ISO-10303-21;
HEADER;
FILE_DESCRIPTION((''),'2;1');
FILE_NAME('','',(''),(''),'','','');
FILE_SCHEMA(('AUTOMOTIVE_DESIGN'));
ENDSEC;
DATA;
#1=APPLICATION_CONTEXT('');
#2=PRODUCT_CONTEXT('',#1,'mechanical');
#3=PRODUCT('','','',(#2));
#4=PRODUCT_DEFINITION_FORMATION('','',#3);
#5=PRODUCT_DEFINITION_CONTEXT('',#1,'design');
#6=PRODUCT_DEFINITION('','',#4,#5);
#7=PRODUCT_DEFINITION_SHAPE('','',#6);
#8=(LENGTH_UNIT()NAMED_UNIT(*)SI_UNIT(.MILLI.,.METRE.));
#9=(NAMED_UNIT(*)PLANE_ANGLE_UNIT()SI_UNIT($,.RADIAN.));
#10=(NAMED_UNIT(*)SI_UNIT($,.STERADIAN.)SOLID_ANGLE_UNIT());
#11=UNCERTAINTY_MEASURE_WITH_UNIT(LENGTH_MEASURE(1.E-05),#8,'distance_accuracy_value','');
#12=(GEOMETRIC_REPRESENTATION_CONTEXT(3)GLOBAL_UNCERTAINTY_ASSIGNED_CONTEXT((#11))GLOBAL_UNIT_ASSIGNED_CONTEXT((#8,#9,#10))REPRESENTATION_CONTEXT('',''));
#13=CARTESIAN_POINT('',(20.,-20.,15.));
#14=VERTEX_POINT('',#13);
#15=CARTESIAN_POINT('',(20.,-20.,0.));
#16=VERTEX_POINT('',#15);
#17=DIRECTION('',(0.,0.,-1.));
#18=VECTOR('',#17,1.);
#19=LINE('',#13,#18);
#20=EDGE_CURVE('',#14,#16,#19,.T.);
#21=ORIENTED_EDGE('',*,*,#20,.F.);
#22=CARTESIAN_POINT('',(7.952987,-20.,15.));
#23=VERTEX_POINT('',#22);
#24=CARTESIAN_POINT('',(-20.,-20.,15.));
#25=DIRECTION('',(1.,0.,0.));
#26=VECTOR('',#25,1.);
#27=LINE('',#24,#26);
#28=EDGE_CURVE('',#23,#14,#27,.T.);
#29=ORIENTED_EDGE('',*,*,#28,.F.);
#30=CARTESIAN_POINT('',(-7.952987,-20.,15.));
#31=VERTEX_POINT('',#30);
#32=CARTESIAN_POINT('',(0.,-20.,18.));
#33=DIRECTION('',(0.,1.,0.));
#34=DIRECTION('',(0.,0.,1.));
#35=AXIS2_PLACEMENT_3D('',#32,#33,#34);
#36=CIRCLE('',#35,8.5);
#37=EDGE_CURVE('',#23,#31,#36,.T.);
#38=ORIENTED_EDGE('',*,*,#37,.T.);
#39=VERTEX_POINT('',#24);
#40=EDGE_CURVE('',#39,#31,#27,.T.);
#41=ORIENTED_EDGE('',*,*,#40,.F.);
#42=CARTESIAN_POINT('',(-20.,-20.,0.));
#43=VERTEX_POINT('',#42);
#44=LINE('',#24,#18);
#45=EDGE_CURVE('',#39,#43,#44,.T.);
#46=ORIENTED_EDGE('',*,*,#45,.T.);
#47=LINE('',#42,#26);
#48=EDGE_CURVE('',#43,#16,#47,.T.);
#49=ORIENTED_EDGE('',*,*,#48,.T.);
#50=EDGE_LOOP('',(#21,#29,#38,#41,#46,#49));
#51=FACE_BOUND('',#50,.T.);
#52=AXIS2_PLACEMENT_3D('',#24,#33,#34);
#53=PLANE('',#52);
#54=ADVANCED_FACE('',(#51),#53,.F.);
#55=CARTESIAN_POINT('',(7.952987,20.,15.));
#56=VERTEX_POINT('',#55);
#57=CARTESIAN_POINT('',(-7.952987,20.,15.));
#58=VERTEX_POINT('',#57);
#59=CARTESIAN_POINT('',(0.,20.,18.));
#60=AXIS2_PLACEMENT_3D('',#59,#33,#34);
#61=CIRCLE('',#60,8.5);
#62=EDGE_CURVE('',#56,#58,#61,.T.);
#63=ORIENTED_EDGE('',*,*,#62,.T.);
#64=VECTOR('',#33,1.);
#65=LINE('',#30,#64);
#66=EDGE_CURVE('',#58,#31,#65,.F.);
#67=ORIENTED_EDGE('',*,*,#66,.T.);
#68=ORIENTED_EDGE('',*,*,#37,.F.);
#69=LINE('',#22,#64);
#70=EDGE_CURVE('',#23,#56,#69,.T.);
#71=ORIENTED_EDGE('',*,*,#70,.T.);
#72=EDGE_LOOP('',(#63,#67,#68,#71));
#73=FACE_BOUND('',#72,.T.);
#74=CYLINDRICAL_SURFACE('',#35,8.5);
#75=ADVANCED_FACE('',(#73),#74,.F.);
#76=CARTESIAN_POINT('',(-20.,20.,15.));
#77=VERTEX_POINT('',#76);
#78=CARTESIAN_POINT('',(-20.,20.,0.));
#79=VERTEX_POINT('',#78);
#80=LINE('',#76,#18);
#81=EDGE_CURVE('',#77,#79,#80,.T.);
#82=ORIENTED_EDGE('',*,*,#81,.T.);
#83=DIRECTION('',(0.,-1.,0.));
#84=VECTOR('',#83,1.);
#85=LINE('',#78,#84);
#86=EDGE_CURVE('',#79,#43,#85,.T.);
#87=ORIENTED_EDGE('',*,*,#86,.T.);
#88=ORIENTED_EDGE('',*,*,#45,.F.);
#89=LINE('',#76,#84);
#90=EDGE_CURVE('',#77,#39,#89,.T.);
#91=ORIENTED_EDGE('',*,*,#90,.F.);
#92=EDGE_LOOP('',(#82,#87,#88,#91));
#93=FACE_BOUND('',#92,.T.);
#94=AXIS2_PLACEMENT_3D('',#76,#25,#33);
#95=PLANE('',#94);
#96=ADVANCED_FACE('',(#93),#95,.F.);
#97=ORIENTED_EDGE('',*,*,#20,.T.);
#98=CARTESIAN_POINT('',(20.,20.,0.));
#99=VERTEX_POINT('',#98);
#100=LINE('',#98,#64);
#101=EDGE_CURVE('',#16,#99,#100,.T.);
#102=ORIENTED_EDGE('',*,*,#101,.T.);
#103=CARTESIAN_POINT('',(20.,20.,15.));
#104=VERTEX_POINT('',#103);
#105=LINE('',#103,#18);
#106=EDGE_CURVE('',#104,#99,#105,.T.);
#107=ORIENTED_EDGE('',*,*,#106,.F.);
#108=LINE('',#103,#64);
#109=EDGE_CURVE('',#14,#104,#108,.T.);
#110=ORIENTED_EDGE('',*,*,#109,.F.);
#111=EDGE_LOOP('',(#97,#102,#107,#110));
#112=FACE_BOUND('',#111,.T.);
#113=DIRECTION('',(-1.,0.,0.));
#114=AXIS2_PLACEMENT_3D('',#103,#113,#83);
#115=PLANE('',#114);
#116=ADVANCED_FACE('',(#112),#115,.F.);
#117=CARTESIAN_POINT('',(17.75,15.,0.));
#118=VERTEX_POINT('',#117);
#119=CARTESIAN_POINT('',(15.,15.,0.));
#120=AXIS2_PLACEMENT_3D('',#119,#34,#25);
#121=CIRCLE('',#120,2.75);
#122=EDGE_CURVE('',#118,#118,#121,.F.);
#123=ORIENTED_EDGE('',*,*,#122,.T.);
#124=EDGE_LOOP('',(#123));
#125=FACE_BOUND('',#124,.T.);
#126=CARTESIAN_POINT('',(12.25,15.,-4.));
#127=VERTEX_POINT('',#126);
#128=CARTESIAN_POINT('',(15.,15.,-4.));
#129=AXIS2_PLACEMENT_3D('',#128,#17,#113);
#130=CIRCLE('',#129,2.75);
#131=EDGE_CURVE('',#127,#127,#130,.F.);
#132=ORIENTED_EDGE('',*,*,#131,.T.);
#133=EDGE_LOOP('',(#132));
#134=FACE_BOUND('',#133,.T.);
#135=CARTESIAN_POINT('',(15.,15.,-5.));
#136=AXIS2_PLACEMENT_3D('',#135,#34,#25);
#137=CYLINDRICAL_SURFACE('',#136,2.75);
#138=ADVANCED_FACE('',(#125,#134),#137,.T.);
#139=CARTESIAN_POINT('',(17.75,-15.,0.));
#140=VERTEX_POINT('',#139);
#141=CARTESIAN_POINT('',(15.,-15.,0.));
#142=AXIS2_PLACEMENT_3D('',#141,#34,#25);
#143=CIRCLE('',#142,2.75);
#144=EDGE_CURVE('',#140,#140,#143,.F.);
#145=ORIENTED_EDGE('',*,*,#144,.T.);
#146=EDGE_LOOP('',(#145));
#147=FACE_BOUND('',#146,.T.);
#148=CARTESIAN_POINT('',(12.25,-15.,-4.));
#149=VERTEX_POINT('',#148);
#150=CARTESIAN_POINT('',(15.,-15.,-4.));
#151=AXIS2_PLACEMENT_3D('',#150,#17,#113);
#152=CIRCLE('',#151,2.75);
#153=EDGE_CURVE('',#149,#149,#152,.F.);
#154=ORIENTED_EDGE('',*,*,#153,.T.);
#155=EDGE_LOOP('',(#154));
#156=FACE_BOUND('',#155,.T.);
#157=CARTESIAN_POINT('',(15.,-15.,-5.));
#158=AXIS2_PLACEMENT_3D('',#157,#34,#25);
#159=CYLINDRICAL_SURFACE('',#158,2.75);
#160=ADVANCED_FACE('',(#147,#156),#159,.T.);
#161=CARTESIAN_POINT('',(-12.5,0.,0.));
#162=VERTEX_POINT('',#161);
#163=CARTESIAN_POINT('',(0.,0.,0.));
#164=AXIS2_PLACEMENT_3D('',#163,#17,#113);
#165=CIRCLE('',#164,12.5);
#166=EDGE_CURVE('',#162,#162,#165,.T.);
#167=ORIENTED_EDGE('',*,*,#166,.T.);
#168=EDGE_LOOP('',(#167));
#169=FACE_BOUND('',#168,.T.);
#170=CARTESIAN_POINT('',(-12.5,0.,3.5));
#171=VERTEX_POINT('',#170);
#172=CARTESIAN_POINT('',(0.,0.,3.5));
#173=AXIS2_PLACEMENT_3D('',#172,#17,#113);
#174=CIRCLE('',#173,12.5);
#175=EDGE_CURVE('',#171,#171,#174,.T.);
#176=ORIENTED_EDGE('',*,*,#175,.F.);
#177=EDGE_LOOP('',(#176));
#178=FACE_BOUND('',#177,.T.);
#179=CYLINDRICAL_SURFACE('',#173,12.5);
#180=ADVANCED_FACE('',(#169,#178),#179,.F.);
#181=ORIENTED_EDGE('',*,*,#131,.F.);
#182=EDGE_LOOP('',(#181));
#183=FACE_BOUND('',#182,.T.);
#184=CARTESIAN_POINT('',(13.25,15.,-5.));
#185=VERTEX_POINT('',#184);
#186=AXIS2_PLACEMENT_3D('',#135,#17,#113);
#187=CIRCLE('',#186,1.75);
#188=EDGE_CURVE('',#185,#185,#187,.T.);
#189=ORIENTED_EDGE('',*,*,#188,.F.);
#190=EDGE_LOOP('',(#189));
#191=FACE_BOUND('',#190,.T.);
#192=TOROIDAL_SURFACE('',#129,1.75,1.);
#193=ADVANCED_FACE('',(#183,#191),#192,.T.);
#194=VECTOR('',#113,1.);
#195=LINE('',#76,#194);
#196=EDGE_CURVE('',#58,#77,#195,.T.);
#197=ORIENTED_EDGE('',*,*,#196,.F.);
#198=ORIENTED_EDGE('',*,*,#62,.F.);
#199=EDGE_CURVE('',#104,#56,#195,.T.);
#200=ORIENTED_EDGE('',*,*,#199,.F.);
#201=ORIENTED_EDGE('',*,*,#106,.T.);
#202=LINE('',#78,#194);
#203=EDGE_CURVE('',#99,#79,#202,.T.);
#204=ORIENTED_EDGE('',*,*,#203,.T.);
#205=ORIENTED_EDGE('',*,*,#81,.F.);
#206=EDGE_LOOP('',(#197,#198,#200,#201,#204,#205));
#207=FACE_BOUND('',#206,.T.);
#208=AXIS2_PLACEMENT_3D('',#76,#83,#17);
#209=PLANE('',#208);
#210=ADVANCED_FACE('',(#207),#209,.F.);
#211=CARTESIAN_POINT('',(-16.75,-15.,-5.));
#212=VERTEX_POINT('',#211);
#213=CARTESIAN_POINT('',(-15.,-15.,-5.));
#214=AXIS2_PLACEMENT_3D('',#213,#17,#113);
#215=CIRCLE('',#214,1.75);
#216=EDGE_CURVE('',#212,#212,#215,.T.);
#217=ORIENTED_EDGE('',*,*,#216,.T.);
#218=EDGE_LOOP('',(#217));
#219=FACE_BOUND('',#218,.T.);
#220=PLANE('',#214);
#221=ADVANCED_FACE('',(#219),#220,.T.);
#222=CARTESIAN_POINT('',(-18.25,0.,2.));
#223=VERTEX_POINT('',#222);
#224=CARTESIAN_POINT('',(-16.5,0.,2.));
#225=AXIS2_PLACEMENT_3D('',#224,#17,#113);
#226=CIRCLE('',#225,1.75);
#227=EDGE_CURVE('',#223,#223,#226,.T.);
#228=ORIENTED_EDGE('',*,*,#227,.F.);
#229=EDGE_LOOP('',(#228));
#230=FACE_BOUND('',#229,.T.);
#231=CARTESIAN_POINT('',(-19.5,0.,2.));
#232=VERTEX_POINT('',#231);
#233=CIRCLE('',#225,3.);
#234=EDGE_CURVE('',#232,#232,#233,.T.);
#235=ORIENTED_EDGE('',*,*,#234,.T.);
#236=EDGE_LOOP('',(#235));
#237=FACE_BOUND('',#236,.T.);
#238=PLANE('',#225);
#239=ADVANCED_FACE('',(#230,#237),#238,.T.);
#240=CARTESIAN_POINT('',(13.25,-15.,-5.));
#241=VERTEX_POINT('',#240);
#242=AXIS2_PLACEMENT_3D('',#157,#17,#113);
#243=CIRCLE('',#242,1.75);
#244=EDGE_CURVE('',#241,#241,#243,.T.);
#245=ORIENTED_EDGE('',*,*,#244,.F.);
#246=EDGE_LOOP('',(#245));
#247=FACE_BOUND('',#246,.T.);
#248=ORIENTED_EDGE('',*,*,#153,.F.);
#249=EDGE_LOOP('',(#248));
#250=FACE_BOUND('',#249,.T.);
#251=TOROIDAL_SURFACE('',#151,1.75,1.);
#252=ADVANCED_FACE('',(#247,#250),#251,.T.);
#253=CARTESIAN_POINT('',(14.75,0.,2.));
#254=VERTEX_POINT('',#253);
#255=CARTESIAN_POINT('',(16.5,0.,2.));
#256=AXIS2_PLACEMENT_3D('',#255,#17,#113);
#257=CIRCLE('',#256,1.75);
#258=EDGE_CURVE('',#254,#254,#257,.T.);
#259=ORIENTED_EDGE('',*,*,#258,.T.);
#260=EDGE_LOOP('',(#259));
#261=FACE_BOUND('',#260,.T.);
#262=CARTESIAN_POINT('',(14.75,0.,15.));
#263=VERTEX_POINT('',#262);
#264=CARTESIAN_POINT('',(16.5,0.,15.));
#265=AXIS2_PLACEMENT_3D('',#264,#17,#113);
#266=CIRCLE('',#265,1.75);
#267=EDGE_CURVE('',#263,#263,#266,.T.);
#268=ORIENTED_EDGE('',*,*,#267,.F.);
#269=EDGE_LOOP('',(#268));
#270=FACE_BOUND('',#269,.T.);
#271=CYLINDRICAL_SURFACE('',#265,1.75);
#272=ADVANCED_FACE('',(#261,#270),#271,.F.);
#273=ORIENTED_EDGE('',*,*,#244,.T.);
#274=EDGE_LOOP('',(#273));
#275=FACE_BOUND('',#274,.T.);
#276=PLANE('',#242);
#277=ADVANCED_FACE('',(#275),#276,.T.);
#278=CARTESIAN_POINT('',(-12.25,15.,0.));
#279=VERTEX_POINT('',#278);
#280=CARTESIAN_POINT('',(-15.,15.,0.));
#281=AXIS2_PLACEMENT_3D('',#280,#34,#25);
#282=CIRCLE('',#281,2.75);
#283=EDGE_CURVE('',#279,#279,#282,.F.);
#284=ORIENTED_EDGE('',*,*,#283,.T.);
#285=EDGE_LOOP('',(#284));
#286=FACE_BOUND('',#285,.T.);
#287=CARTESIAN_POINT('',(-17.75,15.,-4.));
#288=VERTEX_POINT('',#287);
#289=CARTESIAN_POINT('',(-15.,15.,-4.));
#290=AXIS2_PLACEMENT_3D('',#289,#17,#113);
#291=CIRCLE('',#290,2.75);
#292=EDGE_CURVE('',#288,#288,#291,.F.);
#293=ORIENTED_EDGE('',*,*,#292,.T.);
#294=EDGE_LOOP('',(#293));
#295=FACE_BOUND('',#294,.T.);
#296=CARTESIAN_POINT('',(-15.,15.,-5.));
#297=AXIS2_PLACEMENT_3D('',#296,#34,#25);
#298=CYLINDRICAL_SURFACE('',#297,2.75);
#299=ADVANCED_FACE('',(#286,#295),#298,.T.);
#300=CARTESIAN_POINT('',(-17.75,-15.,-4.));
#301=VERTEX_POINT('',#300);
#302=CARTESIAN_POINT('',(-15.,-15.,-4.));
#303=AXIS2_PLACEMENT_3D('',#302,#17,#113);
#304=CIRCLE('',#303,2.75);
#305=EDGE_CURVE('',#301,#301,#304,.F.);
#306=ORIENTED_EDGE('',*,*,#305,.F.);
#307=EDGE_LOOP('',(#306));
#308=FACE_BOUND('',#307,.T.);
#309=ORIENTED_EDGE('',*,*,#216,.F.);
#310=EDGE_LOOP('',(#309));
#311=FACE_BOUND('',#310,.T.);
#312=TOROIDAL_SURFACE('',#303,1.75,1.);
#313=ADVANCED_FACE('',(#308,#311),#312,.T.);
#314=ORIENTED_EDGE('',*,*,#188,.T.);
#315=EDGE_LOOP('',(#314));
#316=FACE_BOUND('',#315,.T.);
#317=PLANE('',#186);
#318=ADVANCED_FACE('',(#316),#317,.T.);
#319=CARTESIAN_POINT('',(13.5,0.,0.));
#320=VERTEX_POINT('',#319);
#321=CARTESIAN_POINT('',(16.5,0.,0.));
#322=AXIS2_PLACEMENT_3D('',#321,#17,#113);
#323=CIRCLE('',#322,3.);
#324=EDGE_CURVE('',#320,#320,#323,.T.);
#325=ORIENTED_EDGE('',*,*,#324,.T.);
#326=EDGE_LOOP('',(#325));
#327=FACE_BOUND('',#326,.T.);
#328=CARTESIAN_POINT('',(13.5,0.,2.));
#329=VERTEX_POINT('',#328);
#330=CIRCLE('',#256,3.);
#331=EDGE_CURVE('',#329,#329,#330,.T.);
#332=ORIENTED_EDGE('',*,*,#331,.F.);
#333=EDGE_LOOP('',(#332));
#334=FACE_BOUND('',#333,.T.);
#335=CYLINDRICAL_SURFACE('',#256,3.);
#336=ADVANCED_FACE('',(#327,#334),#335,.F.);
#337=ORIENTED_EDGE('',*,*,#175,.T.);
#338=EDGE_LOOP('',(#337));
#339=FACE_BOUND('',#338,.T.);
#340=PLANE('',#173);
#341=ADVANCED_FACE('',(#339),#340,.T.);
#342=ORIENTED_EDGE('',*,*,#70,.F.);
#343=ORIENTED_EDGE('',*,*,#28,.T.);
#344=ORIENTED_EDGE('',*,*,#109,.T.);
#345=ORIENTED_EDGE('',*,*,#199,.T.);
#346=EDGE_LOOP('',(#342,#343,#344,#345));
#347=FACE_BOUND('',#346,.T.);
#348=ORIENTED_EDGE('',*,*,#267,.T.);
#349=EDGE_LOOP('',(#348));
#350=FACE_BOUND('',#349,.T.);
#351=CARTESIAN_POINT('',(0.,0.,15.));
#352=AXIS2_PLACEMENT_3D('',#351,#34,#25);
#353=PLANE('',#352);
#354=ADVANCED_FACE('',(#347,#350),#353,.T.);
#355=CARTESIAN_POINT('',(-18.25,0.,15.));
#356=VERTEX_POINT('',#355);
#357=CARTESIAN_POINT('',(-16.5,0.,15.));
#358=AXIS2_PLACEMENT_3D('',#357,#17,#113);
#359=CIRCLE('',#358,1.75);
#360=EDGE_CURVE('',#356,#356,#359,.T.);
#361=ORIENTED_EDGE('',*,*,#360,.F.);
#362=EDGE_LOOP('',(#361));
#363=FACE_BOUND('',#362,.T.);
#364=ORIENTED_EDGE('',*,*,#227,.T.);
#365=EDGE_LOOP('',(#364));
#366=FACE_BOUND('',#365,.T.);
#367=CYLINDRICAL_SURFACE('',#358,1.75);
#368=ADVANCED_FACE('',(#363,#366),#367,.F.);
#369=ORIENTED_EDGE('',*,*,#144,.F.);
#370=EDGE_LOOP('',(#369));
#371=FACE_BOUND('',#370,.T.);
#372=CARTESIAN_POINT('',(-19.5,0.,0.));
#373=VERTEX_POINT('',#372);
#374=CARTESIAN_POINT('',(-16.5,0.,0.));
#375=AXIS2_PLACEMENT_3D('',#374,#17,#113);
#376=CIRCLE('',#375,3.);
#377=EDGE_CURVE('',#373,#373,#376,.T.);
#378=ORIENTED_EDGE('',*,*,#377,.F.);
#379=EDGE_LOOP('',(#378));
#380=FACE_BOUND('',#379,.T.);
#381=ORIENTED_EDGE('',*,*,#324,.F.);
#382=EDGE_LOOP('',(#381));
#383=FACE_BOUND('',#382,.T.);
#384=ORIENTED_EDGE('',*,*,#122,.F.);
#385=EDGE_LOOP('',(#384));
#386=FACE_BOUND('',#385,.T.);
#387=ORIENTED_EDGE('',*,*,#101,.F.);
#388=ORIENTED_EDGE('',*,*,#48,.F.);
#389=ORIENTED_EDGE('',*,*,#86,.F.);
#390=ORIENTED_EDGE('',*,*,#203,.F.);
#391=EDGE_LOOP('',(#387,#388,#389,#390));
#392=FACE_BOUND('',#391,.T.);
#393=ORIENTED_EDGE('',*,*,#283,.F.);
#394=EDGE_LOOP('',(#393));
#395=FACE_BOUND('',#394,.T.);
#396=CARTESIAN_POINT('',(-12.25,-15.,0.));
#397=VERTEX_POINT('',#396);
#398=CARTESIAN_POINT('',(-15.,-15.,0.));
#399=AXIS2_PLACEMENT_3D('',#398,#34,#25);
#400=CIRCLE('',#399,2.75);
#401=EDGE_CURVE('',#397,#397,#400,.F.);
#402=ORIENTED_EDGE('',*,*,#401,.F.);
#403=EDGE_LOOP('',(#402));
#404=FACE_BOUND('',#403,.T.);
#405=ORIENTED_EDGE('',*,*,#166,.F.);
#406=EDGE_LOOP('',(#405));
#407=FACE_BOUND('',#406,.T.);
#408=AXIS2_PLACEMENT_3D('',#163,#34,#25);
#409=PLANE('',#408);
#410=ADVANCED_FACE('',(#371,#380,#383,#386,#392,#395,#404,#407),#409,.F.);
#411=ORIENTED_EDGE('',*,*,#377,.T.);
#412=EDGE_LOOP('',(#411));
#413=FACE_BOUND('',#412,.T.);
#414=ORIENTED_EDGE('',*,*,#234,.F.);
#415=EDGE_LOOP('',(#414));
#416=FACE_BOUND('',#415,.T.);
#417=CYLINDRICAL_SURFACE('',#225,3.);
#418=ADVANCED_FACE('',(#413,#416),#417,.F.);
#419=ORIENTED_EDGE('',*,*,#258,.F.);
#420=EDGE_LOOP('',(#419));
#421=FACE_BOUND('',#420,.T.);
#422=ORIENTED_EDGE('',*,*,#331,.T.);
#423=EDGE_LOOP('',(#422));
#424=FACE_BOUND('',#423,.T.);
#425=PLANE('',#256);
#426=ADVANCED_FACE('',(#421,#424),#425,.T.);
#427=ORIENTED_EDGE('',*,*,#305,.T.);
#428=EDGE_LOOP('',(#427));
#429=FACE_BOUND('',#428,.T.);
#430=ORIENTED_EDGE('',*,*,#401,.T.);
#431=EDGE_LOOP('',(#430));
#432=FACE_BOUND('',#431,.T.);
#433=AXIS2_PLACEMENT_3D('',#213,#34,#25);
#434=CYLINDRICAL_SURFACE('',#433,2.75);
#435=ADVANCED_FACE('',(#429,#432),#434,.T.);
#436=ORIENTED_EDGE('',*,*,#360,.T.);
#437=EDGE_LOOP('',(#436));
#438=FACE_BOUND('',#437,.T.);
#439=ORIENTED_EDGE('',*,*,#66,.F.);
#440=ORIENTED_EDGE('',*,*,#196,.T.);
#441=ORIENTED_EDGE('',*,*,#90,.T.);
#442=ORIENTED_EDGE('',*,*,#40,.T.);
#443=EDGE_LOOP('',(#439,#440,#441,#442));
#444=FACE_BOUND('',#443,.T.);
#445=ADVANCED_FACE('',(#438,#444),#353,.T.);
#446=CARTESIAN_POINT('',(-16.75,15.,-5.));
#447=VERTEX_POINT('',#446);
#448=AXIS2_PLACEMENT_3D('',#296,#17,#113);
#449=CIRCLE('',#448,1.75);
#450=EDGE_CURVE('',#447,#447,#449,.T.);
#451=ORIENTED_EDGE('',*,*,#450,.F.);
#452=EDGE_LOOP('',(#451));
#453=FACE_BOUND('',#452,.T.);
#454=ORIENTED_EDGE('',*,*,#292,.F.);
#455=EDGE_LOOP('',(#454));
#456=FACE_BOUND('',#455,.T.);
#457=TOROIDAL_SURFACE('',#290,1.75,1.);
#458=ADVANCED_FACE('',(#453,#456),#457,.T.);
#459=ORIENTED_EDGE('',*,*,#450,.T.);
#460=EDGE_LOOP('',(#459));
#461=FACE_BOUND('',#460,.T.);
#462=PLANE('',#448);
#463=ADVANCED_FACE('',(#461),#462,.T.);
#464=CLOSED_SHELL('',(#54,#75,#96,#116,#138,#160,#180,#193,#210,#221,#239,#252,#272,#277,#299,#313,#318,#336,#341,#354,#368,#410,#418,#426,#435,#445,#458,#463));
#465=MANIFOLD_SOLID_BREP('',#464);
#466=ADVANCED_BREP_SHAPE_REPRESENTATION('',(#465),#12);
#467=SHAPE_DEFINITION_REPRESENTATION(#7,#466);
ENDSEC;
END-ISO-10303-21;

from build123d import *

# Parameters (mm, degrees)
SKETCH1_W           = 40
SKETCH1_H           = 40
BOSS_EXTRUDE1_DEPTH = 15
SKETCH3_R           = 2.75
BOSS_EXTRUDE2_DEPTH = 5
FILLET1_R           = 1
SKETCH4_R           = 12.5
CUT_EXTRUDE1_DEPTH  = 3.5
SKETCH5_R           = 8.5
CUT_EXTRUDE2_DEPTH  = 41
SKETCH6_R           = 3
CUT_EXTRUDE3_DEPTH  = 2
SKETCH7_R           = 1.75
CUT_EXTRUDE4_DEPTH  = 16


with BuildPart() as part:
    # Sketch1 → Boss-Extrude1 (new body)
    with BuildSketch(Plane.XY):
        Rectangle(SKETCH1_W, SKETCH1_H)
    extrude(amount=BOSS_EXTRUDE1_DEPTH)

    # Sketch3 → Boss-Extrude2 (add)
    with BuildSketch(Plane(origin=(0, 0, 0), x_dir=(-1, 0, 0), z_dir=(0, 0, -1))):
        with Locations(Location((-15, 15, 0), (0, 0, 180))):  # turned: the seam where the file's is
            Circle(SKETCH3_R)
        with Locations(Location((15, 15, 0), (0, 0, 180))):  # turned: the seam where the file's is
            Circle(SKETCH3_R)
        with Locations(Location((-15, -15, 0), (0, 0, 180))):  # turned: the seam where the file's is
            Circle(SKETCH3_R)
        with Locations(Location((15, -15, 0), (0, 0, 180))):  # turned: the seam where the file's is
            Circle(SKETCH3_R)
    extrude(amount=BOSS_EXTRUDE2_DEPTH)

    # Fillet1
    fillet1_edges = [part.edges().sort_by_distance(p)[0] for p in [
        (12.25, 15, -5),
        (-17.75, 15, -5),
        (12.25, -15, -5),
        (-17.75, -15, -5),
    ]]
    fillet(fillet1_edges, radius=FILLET1_R)

    # Sketch4 → Cut-Extrude1 (cut)
    with BuildSketch(Plane(origin=(0, 0, 0), x_dir=(-1, 0, 0), z_dir=(0, 0, -1))):
        Circle(SKETCH4_R)
    extrude(amount=-CUT_EXTRUDE1_DEPTH, mode=Mode.SUBTRACT)

    # Sketch5 → Cut-Extrude2 (cut, through all)
    with BuildSketch(Plane(origin=(0, 20, 0), x_dir=(1, 0, 0), z_dir=(0, 1, 0))):
        with Locations((0, -18)):
            Circle(SKETCH5_R)
    extrude(amount=-CUT_EXTRUDE2_DEPTH, mode=Mode.SUBTRACT)

    # Sketch6 → Cut-Extrude3 (cut)
    with BuildSketch(Plane(origin=(0, 0, 0), x_dir=(-1, 0, 0), z_dir=(0, 0, -1))):
        with Locations((-16.5, 0)):
            Circle(SKETCH6_R)
        with Locations((16.5, 0)):
            Circle(SKETCH6_R)
    extrude(amount=-CUT_EXTRUDE3_DEPTH, mode=Mode.SUBTRACT)

    # Sketch7 → Cut-Extrude4 (cut, through all)
    with BuildSketch(Plane(origin=(0, 0, 0), x_dir=(-1, 0, 0), z_dir=(0, 0, -1))):
        with Locations((16.5, 0)):
            Circle(SKETCH7_R)
        with Locations((-16.5, 0)):
            Circle(SKETCH7_R)
    extrude(amount=-CUT_EXTRUDE4_DEPTH, mode=Mode.SUBTRACT)


solid = part.part
